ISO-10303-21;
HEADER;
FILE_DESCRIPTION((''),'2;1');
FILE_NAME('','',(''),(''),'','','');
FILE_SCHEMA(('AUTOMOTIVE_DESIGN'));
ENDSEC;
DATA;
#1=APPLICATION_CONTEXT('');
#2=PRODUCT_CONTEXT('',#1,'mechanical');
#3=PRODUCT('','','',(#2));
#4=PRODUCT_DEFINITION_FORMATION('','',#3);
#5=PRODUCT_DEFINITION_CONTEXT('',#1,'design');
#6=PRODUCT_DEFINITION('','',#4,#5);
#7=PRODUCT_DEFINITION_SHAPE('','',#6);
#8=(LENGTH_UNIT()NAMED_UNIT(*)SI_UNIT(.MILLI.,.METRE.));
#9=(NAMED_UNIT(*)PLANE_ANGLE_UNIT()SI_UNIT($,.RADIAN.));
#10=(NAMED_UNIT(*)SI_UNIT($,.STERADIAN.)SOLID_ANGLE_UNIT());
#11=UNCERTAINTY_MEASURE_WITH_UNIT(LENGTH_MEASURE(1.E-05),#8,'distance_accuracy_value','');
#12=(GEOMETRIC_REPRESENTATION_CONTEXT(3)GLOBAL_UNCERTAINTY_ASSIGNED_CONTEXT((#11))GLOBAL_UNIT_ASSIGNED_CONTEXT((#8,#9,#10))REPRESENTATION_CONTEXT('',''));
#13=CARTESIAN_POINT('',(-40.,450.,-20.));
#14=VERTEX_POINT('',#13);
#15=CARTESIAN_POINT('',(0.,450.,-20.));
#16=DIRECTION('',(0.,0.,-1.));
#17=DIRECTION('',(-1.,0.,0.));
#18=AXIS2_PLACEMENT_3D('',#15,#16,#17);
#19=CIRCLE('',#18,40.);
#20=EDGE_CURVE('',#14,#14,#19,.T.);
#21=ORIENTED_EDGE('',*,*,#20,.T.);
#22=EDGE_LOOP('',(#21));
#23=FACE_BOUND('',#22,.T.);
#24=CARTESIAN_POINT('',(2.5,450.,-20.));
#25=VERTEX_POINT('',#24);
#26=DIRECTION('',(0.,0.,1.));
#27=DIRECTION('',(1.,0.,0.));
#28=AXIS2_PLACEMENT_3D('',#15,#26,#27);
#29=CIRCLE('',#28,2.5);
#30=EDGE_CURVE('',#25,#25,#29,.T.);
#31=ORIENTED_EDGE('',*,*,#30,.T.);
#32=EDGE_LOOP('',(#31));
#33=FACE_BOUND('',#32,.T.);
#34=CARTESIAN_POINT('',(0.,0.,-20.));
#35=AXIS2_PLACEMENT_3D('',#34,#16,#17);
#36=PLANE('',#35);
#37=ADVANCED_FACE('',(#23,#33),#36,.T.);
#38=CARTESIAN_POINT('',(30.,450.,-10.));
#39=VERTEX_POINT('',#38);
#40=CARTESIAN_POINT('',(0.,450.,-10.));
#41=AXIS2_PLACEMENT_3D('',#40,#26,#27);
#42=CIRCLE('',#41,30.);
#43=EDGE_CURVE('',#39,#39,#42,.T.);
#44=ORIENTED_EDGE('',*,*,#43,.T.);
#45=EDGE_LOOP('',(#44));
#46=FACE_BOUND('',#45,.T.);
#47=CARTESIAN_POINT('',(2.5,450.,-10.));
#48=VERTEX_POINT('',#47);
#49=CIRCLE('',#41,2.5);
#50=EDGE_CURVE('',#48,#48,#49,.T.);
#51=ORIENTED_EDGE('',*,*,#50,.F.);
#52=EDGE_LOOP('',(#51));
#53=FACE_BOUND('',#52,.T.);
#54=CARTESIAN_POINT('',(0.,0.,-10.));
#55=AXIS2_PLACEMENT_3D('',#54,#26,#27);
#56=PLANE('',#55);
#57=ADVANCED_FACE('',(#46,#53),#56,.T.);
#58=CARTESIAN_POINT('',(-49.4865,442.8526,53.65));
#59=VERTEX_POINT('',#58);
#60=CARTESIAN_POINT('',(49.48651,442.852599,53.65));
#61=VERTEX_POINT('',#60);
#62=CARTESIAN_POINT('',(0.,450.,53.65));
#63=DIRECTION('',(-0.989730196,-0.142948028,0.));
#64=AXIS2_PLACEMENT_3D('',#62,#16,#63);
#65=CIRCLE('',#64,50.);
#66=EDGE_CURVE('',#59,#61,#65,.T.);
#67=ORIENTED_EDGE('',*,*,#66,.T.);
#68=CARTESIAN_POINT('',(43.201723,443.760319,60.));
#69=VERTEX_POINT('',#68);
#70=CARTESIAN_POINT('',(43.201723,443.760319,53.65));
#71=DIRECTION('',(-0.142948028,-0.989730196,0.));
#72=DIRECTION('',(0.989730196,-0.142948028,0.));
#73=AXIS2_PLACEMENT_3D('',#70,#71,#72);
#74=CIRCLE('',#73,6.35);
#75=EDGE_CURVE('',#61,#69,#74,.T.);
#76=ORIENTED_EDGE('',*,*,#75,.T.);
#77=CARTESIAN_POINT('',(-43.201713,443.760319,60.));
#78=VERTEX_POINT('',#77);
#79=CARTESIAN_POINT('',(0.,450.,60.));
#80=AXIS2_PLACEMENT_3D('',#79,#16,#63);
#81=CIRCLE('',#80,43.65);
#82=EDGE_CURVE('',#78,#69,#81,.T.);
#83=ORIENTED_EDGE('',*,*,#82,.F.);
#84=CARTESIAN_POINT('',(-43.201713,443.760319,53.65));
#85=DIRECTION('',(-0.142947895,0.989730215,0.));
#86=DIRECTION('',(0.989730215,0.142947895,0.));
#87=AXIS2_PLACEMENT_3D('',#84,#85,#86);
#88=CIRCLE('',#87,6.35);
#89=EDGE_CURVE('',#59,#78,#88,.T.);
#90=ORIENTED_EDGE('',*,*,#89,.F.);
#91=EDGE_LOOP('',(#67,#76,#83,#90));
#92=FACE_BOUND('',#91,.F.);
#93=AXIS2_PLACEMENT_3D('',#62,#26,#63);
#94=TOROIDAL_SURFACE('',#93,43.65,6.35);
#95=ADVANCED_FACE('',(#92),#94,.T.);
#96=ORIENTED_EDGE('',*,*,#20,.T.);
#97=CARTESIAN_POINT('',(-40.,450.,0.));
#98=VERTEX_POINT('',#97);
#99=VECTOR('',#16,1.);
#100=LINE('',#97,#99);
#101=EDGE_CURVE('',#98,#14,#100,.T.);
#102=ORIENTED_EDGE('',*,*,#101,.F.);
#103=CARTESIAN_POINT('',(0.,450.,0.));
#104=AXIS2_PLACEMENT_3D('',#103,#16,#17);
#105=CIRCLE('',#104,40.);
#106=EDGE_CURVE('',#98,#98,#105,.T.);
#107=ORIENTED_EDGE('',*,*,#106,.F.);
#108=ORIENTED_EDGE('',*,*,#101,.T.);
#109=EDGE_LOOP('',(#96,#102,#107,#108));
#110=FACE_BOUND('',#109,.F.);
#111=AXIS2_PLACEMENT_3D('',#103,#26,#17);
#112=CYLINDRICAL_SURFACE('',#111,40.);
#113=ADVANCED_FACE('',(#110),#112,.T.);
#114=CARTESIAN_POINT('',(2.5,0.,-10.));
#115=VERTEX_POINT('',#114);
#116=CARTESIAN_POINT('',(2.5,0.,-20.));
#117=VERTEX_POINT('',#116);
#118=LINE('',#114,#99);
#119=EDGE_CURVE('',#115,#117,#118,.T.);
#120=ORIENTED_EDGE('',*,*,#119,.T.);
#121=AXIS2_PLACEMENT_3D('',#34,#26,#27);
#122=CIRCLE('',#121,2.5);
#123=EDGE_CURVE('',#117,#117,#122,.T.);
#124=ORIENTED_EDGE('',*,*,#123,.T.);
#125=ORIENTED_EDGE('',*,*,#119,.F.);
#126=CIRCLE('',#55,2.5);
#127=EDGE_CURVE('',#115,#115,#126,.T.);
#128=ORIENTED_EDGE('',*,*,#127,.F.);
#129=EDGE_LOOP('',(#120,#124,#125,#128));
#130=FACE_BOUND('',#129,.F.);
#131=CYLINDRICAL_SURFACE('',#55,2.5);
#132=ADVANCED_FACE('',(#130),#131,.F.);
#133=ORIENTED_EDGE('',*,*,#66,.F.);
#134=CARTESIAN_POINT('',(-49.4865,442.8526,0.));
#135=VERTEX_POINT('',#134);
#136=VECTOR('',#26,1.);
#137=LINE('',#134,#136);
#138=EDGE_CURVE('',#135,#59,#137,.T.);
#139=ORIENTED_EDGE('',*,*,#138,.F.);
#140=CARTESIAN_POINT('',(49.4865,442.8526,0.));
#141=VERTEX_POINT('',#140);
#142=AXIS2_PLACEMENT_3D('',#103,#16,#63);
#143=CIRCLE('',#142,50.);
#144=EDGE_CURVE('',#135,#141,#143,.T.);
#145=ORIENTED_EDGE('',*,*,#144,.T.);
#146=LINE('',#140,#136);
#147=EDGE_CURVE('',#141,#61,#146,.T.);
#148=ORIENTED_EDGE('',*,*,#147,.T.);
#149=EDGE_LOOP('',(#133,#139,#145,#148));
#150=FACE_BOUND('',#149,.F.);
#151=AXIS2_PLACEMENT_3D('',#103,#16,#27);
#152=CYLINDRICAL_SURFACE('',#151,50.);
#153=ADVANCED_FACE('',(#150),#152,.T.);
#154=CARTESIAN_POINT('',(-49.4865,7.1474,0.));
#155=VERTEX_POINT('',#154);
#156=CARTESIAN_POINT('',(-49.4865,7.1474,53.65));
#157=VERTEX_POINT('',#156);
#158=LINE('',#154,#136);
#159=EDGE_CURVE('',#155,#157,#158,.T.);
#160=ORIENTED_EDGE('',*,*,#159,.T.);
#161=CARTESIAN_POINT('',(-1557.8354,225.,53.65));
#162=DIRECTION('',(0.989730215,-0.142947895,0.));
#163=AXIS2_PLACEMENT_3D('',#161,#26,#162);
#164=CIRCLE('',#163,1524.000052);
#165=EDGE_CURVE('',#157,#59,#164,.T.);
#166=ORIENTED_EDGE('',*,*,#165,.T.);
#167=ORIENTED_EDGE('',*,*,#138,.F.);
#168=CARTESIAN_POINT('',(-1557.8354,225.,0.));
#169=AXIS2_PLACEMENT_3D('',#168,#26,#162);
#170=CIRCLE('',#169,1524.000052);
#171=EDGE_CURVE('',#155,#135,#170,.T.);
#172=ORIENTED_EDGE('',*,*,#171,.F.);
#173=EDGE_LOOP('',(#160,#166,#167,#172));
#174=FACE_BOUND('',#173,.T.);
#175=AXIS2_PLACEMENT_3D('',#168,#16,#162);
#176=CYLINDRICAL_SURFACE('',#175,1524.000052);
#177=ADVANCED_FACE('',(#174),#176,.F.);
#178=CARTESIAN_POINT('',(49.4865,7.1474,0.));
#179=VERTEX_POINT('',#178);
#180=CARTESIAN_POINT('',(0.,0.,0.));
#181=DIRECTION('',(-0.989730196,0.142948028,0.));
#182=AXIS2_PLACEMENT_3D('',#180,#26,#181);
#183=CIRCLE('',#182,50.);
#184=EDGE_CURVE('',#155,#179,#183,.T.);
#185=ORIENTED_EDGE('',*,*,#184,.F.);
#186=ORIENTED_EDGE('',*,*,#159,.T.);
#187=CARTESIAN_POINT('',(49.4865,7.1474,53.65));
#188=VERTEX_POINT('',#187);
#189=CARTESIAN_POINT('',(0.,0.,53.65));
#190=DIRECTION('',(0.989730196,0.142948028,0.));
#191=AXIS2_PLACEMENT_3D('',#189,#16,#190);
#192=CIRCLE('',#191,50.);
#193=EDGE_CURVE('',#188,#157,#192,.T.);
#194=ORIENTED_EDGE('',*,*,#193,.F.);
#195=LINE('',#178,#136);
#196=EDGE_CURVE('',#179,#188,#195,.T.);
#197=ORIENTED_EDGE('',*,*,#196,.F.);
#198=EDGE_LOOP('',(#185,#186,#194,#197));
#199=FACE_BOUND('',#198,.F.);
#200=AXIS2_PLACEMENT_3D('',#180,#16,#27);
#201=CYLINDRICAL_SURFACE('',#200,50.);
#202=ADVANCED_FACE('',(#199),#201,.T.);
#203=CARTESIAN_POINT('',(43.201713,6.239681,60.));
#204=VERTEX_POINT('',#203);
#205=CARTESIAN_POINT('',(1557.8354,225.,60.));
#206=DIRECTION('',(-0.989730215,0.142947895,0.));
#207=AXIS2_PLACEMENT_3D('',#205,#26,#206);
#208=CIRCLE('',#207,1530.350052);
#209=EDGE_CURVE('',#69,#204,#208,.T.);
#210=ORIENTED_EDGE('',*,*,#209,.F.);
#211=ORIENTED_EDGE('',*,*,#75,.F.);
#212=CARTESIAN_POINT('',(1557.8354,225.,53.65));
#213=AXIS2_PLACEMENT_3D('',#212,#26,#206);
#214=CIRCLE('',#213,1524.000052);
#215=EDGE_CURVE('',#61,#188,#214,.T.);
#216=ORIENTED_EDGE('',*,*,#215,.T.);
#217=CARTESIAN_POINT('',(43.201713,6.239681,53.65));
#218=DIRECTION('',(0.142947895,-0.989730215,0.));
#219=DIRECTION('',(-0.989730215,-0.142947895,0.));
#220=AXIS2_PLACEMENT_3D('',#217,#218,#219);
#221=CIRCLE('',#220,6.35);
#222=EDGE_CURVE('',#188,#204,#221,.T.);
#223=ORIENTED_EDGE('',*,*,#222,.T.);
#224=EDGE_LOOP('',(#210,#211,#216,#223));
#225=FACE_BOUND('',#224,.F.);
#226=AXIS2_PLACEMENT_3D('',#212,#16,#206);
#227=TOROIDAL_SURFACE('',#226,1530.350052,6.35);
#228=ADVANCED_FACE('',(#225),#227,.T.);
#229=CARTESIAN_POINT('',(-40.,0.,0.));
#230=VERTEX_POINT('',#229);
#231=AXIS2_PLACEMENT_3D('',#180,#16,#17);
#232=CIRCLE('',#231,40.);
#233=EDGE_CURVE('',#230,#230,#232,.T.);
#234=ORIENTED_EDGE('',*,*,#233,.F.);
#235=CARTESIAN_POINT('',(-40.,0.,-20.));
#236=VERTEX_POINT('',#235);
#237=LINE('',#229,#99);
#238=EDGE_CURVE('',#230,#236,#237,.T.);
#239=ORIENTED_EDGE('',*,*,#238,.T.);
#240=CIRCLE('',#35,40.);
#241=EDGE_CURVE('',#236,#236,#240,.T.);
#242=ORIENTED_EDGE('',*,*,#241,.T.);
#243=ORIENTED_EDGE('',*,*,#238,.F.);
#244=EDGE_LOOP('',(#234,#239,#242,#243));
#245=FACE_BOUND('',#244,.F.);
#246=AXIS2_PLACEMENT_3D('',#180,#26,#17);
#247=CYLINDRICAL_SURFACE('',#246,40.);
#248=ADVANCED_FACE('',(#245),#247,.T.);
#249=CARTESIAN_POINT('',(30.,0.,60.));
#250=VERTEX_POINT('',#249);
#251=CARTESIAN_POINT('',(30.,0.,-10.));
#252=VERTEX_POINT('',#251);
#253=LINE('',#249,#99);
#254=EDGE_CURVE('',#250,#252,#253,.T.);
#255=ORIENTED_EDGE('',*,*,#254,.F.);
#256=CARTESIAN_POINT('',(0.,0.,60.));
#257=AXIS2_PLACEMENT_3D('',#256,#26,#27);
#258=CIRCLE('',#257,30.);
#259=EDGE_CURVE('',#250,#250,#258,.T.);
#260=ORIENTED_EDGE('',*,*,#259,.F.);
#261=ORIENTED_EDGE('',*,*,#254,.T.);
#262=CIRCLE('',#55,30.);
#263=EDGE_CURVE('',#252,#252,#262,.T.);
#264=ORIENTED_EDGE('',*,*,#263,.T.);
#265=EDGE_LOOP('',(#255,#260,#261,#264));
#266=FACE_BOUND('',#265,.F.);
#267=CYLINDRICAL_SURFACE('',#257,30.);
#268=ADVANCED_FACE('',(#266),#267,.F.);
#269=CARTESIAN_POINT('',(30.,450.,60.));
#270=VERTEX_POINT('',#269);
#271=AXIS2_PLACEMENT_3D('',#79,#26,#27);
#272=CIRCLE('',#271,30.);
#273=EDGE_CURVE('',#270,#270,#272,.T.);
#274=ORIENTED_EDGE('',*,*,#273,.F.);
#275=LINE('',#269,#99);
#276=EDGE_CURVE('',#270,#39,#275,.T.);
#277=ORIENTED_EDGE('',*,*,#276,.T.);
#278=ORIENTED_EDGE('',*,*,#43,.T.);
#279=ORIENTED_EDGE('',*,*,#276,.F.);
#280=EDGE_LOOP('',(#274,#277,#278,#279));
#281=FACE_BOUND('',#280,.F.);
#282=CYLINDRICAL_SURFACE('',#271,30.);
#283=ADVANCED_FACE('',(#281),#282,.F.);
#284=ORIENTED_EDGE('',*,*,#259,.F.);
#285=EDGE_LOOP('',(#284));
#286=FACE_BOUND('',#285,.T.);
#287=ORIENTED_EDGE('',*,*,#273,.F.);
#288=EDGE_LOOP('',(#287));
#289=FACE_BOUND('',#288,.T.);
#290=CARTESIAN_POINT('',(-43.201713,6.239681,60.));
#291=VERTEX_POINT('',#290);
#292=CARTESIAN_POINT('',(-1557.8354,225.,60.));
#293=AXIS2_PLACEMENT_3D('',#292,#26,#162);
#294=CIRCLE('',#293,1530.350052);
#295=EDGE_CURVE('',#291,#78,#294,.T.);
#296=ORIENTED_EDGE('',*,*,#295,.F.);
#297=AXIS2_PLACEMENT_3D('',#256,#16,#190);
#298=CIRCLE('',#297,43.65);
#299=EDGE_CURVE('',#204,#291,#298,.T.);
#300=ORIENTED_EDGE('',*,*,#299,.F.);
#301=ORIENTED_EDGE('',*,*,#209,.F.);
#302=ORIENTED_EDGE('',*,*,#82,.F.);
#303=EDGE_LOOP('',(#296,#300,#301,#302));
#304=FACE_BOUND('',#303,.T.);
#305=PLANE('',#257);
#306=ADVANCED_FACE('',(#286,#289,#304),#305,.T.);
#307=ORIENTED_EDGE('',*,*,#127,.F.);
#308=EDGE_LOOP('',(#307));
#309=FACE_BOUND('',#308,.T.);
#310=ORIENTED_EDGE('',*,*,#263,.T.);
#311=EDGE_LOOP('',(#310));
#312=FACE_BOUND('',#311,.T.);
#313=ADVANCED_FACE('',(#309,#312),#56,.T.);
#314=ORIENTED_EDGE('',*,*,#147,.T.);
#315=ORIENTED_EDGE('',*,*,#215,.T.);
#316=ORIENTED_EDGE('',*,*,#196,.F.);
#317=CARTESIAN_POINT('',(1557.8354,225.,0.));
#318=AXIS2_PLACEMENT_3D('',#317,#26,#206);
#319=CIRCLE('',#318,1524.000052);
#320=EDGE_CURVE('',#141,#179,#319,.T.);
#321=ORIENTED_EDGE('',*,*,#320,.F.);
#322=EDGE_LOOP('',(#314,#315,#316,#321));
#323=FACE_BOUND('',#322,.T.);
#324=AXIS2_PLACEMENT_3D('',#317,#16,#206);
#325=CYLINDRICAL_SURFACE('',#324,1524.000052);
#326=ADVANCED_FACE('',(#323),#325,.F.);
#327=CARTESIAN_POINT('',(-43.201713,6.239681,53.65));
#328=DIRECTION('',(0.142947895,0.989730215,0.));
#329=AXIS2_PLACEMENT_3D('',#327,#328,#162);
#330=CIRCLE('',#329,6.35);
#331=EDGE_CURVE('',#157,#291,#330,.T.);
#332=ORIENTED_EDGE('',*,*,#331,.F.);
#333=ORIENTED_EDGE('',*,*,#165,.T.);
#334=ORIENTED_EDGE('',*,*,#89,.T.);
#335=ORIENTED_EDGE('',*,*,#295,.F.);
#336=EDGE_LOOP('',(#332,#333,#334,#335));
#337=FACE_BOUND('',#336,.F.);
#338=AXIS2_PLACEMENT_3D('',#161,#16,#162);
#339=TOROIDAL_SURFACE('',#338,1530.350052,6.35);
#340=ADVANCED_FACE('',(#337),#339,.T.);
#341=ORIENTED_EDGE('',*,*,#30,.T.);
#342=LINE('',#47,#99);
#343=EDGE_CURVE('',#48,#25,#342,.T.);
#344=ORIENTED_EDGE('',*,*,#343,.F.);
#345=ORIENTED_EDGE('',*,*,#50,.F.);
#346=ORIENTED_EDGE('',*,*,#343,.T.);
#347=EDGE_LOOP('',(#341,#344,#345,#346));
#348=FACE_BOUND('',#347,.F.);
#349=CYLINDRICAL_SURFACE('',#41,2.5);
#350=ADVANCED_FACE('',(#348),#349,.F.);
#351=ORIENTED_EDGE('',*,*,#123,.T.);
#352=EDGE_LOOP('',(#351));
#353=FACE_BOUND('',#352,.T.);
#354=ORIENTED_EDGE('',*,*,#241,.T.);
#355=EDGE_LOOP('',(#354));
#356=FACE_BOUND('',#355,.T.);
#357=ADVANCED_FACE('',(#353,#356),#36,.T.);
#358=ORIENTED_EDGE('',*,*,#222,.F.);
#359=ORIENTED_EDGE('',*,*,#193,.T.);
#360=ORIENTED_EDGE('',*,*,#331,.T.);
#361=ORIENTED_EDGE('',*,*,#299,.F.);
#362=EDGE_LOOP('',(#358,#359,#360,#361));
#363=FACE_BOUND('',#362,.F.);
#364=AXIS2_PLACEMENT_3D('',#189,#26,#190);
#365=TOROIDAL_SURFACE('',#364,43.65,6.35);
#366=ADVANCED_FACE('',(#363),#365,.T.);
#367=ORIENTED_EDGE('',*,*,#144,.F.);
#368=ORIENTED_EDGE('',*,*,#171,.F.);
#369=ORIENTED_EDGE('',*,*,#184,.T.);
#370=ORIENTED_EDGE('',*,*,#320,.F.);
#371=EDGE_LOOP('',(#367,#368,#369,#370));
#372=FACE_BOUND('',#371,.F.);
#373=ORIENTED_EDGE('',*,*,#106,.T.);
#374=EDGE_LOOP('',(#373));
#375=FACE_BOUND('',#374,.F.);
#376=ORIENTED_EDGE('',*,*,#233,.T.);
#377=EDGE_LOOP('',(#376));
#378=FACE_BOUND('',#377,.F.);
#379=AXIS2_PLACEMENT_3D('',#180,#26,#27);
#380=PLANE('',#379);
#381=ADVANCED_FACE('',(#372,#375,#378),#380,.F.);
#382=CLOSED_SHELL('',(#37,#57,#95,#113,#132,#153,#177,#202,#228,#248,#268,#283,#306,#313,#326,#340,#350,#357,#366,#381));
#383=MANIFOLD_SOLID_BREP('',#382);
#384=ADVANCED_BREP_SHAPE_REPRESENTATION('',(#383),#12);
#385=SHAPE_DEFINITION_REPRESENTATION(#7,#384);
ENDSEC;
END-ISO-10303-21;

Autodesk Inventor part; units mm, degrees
ref_plane "YZ Plane" through (0, 0, 0) normal (1, 0, 0) x (0, 1, 0)
ref_plane "XZ Plane" through (0, 0, 0) normal (0, 1, 0) x (-1, 0, 0)
ref_plane "XY Plane" through (0, 0, 0) normal (0, 0, 1) x (1, 0, 0)
sketch "Sketch1" plane through (0, 0, 0) normal (0, 0, 1) x (1, 0, 0)
  circle A0 centre (0, 0) radius 50
  circle A1 centre (0, 450) radius 50
  arc A2 (49.4865, 442.8526) -> (49.4865, 7.1474) centre (1557.8354, 225) ccw
  arc A3 (-49.4865, 7.1474) -> (-49.4865, 442.8526) centre (-1557.8354, 225) ccw
  dimension "d0" = 100
  dimension "d1" = 450
  dimension "d2" = 1524
extrude "Extrusion1" add sketch "Sketch1" along normal blind 60
fillet "Fillet1" radius 6.35 4 edges at (-33.8354, 225, 60) (0, -50, 60) (33.8354, 225, 60) (0, 500, 60)
sketch "Sketch2" plane through (0, 0, 0) normal (0, 0, -1) x (-1, 0, 0)
  circle A0 centre (0, 450) radius 40
  circle A1 centre (0, 0) radius 40
  arc A2 (49.4865, 442.8526) -> (49.4865, 7.1474) centre (1557.8354, 225) ccw projected
  arc A3 (49.4865, 442.8526) -> (-49.4865, 442.8526) centre (0, 450) ccw projected
  arc A4 (-49.4865, 7.1474) -> (-49.4865, 442.8526) centre (-1557.8354, 225) ccw projected
  arc A5 (-49.4865, 7.1474) -> (49.4865, 7.1474) centre (0, 0) ccw projected
  dimension "d6" = 80
extrude "Extrusion2" add sketch "Sketch2" along normal blind 20 contours A0 | A1
sketch "Sketch3" plane through (0, 0, 60) normal (0, 0, 1) x (1, 0, 0)
  circle A0 centre (0, 0) radius 30
  arc A1 (-43.2017, 6.2397) -> (-43.2017, 443.7603) centre (-1557.8354, 225) ccw projected
  arc A2 (-43.2017, 6.2397) -> (43.2017, 6.2397) centre (0, 0) ccw projected
  arc A3 (43.2017, 443.7603) -> (43.2017, 6.2397) centre (1557.8354, 225) ccw projected
  arc A4 (43.2017, 443.7603) -> (-43.2017, 443.7603) centre (0, 450) ccw projected
  circle A5 centre (0, 450) radius 30
  dimension "d9" = 60
extrude "Extrusion3" cut sketch "Sketch3" against normal blind 70 contours A0 | A5
sketch "Sketch4" plane through (0, 450, -10) normal (0, 0, 1) x (1, 0, 0)
  circle A0 centre (0, 0) radius 30 projected
  circle A1 centre (0, -450) radius 30 projected
  circle A2 centre (0, 0) radius 2.5
  circle A3 centre (0, -450) radius 2.5
  dimension "d12" = 5
extrude "Extrusion4" cut sketch "Sketch4" against normal through all contours A2 | A3
properties part number "Robot_arm_1"
